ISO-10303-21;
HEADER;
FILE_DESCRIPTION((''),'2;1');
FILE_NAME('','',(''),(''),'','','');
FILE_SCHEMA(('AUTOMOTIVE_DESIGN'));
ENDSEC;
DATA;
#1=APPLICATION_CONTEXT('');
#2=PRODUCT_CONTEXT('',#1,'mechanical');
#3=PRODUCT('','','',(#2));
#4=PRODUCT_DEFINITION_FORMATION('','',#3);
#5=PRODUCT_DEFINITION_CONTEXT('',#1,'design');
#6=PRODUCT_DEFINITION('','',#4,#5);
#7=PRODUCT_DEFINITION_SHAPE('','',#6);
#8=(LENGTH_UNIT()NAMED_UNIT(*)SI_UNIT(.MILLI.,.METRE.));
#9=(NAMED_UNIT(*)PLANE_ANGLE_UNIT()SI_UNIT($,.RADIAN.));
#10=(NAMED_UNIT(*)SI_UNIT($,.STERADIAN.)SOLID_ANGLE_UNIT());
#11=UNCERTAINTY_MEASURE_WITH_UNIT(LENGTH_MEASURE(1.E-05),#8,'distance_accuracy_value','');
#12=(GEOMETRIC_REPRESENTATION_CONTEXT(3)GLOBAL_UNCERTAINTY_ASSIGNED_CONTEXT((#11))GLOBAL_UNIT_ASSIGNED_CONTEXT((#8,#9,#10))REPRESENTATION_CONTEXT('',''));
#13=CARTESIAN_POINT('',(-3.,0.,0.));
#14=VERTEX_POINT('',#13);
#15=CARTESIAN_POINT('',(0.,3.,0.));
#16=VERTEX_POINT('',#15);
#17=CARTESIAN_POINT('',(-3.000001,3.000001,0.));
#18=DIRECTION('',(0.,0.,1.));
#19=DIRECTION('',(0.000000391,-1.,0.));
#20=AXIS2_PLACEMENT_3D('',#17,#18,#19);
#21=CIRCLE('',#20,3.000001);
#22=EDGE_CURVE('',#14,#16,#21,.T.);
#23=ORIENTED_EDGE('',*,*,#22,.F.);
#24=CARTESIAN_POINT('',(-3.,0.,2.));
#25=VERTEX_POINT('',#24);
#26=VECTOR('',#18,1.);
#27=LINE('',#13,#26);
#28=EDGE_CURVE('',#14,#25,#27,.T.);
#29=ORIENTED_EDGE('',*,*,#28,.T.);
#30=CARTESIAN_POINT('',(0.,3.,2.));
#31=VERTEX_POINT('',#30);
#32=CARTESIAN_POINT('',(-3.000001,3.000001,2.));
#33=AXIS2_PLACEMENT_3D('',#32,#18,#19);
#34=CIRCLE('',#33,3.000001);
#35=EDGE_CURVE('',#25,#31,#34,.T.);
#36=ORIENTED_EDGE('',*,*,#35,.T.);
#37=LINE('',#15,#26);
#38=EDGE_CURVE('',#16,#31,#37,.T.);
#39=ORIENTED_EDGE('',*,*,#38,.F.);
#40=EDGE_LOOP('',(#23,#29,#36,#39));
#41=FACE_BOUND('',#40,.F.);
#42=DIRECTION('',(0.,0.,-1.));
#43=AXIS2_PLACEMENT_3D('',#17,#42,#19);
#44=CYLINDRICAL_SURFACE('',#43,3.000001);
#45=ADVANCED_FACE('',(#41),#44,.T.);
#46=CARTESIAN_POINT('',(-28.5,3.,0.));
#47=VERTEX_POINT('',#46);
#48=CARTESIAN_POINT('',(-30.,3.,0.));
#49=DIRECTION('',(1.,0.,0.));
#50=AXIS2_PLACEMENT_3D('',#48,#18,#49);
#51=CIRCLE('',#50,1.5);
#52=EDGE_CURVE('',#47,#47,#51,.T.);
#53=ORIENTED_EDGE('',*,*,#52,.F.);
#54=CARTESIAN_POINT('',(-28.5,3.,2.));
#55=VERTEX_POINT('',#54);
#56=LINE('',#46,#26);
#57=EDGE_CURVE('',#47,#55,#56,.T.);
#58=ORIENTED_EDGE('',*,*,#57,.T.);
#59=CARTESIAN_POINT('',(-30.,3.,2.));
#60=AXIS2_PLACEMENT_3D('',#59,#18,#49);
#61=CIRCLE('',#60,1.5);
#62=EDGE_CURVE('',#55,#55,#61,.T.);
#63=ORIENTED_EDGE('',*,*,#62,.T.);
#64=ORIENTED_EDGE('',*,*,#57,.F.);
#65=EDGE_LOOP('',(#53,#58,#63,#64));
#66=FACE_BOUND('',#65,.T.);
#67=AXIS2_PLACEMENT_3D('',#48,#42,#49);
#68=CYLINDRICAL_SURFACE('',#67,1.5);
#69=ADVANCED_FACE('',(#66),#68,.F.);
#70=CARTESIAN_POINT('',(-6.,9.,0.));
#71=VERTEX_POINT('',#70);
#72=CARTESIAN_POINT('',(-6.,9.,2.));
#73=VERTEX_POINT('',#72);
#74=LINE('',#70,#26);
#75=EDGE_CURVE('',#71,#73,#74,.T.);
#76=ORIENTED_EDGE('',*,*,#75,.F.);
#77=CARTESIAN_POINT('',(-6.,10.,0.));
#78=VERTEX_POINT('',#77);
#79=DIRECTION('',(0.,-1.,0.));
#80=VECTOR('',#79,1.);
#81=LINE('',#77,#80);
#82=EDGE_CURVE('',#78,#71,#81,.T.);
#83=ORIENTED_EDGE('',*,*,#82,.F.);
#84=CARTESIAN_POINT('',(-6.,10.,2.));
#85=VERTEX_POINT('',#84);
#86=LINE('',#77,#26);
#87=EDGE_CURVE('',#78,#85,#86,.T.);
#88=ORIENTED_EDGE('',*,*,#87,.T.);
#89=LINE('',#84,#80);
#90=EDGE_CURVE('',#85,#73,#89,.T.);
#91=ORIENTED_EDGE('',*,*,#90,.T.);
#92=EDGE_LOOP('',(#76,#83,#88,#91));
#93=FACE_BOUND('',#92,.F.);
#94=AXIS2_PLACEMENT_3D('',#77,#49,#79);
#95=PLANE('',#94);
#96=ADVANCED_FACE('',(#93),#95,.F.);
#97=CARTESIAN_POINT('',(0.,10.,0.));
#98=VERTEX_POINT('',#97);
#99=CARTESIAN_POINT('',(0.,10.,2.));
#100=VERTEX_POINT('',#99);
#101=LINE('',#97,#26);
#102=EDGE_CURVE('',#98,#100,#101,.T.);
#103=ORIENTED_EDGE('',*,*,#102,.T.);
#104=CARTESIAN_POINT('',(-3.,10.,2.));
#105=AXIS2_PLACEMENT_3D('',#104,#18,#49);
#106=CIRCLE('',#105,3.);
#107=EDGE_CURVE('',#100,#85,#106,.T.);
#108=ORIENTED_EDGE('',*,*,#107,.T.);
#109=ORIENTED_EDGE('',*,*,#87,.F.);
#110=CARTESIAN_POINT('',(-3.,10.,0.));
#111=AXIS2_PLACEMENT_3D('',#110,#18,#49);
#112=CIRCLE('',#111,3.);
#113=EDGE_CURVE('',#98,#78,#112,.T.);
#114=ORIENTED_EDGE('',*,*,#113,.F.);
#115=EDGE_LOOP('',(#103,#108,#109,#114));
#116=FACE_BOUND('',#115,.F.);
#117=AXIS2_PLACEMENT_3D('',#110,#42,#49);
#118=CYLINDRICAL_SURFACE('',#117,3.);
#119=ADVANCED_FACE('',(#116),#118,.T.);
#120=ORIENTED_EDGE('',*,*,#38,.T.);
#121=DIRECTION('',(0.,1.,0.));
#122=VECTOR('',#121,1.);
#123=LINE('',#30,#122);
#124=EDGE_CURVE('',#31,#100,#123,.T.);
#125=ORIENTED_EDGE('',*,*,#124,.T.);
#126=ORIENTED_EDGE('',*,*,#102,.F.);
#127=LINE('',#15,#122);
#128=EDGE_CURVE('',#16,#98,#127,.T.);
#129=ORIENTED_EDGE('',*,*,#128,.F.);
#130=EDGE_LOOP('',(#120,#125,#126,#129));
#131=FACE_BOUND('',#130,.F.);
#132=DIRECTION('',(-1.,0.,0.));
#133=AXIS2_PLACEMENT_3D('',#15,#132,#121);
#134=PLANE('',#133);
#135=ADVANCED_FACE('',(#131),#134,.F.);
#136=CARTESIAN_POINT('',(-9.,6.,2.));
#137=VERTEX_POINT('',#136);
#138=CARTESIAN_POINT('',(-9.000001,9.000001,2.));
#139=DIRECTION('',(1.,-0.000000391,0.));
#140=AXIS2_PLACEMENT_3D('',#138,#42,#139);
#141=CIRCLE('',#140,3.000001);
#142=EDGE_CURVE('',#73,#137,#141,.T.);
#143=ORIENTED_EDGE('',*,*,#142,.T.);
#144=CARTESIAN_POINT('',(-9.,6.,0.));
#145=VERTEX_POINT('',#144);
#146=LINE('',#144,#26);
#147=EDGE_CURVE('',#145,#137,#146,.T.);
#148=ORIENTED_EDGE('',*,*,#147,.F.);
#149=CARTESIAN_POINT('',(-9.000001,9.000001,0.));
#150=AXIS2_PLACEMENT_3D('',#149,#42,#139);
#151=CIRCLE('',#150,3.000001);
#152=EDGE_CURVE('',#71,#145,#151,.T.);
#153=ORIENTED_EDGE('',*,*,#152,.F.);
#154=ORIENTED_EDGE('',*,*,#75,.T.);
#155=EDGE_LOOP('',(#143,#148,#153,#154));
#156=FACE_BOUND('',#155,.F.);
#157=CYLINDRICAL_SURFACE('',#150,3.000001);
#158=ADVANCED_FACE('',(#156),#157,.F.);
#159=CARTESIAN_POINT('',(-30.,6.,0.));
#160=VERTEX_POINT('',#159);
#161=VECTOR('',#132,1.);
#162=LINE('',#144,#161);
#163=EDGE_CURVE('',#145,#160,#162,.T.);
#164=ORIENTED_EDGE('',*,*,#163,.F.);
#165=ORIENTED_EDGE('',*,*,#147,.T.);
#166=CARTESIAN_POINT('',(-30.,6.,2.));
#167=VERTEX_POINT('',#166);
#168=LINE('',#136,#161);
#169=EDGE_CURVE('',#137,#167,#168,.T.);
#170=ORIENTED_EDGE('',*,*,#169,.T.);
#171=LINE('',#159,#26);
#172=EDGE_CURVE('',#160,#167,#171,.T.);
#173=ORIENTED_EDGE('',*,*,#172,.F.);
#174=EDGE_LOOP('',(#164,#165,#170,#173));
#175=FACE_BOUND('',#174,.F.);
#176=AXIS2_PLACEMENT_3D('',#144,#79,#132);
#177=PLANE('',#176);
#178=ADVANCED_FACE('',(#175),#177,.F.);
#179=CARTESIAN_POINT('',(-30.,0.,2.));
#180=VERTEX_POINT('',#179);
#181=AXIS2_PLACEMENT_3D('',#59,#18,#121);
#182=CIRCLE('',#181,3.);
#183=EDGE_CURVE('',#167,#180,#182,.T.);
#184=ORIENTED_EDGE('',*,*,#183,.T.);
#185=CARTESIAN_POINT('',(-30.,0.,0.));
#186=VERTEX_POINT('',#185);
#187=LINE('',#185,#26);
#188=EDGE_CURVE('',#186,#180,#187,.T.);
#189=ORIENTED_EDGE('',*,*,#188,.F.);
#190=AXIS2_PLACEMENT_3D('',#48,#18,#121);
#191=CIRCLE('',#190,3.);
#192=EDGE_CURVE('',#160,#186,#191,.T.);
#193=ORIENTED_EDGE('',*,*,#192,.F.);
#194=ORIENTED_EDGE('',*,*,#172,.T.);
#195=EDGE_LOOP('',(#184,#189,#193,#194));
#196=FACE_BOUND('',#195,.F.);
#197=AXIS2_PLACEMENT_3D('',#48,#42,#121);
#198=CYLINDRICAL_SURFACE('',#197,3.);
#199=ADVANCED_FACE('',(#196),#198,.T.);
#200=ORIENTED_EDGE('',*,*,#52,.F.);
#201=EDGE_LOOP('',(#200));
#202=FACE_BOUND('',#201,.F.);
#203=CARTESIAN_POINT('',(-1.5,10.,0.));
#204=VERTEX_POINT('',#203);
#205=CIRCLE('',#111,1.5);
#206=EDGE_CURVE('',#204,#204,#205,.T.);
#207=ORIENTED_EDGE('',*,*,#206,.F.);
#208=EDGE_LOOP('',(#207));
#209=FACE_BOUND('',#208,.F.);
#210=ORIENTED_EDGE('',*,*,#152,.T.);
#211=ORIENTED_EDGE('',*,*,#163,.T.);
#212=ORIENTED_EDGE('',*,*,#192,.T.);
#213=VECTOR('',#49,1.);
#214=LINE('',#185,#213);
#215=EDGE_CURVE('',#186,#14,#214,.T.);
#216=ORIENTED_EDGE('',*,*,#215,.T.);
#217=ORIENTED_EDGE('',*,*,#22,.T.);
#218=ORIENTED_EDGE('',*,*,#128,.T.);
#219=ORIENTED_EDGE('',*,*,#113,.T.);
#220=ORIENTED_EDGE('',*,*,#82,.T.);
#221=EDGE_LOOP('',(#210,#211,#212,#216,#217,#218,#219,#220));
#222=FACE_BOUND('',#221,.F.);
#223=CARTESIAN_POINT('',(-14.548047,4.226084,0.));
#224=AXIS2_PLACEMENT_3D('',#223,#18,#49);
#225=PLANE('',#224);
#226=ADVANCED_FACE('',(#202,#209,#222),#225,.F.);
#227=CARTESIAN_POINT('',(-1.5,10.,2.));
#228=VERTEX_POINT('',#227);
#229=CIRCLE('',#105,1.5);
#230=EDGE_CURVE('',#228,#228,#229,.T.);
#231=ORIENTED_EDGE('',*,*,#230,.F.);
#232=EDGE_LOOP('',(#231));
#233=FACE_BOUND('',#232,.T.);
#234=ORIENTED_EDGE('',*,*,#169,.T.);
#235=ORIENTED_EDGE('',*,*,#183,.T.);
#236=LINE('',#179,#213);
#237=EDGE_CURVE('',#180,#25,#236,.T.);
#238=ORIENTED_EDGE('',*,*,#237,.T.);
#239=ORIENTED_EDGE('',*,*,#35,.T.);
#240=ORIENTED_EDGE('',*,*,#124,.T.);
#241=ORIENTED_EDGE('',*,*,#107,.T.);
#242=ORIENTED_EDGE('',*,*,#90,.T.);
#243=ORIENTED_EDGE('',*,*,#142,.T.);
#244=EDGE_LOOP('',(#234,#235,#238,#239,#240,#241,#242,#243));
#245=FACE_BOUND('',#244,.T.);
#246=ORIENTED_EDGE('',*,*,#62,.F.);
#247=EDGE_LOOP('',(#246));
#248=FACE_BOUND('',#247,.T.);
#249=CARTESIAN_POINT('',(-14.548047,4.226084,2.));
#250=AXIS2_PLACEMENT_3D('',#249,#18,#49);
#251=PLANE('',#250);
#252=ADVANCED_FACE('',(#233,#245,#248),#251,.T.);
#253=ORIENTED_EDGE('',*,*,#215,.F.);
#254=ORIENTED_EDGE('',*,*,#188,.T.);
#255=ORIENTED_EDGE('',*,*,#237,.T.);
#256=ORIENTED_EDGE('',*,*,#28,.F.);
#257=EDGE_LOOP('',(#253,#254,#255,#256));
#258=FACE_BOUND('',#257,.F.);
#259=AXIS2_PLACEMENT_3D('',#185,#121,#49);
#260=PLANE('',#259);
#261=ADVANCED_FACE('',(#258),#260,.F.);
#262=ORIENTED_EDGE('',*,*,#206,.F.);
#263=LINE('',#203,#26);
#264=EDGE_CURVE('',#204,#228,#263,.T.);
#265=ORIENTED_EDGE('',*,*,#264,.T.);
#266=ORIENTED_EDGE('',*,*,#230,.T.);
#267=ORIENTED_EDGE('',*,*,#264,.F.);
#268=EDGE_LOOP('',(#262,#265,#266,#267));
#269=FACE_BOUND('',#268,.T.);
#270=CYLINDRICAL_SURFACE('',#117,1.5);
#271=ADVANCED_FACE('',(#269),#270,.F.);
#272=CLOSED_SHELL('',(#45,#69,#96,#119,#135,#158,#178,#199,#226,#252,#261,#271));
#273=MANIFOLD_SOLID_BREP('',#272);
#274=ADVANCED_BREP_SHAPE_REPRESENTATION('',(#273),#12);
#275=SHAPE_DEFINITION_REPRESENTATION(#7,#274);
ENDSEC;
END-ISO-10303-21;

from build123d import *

# Parameters (mm, degrees)
F0_R     = 1.5
F1_DEPTH = 2


with BuildPart() as f1:
    # F0 (on Top) → F1 (new body)
    with BuildSketch(Plane.XY):
        with BuildLine():
            ThreePointArc((-3, 0), (-0.87868, 0.87868), (0, 3))
            Line((0, 3), (0, 6))
            Line((0, 6), (0, 10))
            ThreePointArc((0, 10), (-3, 13), (-6, 10))
            Line((-6, 10), (-6, 9))
            ThreePointArc((-6, 9), (-6.87868, 6.87868), (-9, 6))
            Line((-9, 6), (-30, 6))
            ThreePointArc((-30, 6), (-33, 3), (-30, 0))
            Line((-30, 0), (-3, 0))
        make_face()
        with Locations((-30, 3)):
            Circle(F0_R, mode=Mode.SUBTRACT)
        with Locations((-3, 10)):
            Circle(F0_R, mode=Mode.SUBTRACT)
    extrude(amount=F1_DEPTH)


solid = f1.part
